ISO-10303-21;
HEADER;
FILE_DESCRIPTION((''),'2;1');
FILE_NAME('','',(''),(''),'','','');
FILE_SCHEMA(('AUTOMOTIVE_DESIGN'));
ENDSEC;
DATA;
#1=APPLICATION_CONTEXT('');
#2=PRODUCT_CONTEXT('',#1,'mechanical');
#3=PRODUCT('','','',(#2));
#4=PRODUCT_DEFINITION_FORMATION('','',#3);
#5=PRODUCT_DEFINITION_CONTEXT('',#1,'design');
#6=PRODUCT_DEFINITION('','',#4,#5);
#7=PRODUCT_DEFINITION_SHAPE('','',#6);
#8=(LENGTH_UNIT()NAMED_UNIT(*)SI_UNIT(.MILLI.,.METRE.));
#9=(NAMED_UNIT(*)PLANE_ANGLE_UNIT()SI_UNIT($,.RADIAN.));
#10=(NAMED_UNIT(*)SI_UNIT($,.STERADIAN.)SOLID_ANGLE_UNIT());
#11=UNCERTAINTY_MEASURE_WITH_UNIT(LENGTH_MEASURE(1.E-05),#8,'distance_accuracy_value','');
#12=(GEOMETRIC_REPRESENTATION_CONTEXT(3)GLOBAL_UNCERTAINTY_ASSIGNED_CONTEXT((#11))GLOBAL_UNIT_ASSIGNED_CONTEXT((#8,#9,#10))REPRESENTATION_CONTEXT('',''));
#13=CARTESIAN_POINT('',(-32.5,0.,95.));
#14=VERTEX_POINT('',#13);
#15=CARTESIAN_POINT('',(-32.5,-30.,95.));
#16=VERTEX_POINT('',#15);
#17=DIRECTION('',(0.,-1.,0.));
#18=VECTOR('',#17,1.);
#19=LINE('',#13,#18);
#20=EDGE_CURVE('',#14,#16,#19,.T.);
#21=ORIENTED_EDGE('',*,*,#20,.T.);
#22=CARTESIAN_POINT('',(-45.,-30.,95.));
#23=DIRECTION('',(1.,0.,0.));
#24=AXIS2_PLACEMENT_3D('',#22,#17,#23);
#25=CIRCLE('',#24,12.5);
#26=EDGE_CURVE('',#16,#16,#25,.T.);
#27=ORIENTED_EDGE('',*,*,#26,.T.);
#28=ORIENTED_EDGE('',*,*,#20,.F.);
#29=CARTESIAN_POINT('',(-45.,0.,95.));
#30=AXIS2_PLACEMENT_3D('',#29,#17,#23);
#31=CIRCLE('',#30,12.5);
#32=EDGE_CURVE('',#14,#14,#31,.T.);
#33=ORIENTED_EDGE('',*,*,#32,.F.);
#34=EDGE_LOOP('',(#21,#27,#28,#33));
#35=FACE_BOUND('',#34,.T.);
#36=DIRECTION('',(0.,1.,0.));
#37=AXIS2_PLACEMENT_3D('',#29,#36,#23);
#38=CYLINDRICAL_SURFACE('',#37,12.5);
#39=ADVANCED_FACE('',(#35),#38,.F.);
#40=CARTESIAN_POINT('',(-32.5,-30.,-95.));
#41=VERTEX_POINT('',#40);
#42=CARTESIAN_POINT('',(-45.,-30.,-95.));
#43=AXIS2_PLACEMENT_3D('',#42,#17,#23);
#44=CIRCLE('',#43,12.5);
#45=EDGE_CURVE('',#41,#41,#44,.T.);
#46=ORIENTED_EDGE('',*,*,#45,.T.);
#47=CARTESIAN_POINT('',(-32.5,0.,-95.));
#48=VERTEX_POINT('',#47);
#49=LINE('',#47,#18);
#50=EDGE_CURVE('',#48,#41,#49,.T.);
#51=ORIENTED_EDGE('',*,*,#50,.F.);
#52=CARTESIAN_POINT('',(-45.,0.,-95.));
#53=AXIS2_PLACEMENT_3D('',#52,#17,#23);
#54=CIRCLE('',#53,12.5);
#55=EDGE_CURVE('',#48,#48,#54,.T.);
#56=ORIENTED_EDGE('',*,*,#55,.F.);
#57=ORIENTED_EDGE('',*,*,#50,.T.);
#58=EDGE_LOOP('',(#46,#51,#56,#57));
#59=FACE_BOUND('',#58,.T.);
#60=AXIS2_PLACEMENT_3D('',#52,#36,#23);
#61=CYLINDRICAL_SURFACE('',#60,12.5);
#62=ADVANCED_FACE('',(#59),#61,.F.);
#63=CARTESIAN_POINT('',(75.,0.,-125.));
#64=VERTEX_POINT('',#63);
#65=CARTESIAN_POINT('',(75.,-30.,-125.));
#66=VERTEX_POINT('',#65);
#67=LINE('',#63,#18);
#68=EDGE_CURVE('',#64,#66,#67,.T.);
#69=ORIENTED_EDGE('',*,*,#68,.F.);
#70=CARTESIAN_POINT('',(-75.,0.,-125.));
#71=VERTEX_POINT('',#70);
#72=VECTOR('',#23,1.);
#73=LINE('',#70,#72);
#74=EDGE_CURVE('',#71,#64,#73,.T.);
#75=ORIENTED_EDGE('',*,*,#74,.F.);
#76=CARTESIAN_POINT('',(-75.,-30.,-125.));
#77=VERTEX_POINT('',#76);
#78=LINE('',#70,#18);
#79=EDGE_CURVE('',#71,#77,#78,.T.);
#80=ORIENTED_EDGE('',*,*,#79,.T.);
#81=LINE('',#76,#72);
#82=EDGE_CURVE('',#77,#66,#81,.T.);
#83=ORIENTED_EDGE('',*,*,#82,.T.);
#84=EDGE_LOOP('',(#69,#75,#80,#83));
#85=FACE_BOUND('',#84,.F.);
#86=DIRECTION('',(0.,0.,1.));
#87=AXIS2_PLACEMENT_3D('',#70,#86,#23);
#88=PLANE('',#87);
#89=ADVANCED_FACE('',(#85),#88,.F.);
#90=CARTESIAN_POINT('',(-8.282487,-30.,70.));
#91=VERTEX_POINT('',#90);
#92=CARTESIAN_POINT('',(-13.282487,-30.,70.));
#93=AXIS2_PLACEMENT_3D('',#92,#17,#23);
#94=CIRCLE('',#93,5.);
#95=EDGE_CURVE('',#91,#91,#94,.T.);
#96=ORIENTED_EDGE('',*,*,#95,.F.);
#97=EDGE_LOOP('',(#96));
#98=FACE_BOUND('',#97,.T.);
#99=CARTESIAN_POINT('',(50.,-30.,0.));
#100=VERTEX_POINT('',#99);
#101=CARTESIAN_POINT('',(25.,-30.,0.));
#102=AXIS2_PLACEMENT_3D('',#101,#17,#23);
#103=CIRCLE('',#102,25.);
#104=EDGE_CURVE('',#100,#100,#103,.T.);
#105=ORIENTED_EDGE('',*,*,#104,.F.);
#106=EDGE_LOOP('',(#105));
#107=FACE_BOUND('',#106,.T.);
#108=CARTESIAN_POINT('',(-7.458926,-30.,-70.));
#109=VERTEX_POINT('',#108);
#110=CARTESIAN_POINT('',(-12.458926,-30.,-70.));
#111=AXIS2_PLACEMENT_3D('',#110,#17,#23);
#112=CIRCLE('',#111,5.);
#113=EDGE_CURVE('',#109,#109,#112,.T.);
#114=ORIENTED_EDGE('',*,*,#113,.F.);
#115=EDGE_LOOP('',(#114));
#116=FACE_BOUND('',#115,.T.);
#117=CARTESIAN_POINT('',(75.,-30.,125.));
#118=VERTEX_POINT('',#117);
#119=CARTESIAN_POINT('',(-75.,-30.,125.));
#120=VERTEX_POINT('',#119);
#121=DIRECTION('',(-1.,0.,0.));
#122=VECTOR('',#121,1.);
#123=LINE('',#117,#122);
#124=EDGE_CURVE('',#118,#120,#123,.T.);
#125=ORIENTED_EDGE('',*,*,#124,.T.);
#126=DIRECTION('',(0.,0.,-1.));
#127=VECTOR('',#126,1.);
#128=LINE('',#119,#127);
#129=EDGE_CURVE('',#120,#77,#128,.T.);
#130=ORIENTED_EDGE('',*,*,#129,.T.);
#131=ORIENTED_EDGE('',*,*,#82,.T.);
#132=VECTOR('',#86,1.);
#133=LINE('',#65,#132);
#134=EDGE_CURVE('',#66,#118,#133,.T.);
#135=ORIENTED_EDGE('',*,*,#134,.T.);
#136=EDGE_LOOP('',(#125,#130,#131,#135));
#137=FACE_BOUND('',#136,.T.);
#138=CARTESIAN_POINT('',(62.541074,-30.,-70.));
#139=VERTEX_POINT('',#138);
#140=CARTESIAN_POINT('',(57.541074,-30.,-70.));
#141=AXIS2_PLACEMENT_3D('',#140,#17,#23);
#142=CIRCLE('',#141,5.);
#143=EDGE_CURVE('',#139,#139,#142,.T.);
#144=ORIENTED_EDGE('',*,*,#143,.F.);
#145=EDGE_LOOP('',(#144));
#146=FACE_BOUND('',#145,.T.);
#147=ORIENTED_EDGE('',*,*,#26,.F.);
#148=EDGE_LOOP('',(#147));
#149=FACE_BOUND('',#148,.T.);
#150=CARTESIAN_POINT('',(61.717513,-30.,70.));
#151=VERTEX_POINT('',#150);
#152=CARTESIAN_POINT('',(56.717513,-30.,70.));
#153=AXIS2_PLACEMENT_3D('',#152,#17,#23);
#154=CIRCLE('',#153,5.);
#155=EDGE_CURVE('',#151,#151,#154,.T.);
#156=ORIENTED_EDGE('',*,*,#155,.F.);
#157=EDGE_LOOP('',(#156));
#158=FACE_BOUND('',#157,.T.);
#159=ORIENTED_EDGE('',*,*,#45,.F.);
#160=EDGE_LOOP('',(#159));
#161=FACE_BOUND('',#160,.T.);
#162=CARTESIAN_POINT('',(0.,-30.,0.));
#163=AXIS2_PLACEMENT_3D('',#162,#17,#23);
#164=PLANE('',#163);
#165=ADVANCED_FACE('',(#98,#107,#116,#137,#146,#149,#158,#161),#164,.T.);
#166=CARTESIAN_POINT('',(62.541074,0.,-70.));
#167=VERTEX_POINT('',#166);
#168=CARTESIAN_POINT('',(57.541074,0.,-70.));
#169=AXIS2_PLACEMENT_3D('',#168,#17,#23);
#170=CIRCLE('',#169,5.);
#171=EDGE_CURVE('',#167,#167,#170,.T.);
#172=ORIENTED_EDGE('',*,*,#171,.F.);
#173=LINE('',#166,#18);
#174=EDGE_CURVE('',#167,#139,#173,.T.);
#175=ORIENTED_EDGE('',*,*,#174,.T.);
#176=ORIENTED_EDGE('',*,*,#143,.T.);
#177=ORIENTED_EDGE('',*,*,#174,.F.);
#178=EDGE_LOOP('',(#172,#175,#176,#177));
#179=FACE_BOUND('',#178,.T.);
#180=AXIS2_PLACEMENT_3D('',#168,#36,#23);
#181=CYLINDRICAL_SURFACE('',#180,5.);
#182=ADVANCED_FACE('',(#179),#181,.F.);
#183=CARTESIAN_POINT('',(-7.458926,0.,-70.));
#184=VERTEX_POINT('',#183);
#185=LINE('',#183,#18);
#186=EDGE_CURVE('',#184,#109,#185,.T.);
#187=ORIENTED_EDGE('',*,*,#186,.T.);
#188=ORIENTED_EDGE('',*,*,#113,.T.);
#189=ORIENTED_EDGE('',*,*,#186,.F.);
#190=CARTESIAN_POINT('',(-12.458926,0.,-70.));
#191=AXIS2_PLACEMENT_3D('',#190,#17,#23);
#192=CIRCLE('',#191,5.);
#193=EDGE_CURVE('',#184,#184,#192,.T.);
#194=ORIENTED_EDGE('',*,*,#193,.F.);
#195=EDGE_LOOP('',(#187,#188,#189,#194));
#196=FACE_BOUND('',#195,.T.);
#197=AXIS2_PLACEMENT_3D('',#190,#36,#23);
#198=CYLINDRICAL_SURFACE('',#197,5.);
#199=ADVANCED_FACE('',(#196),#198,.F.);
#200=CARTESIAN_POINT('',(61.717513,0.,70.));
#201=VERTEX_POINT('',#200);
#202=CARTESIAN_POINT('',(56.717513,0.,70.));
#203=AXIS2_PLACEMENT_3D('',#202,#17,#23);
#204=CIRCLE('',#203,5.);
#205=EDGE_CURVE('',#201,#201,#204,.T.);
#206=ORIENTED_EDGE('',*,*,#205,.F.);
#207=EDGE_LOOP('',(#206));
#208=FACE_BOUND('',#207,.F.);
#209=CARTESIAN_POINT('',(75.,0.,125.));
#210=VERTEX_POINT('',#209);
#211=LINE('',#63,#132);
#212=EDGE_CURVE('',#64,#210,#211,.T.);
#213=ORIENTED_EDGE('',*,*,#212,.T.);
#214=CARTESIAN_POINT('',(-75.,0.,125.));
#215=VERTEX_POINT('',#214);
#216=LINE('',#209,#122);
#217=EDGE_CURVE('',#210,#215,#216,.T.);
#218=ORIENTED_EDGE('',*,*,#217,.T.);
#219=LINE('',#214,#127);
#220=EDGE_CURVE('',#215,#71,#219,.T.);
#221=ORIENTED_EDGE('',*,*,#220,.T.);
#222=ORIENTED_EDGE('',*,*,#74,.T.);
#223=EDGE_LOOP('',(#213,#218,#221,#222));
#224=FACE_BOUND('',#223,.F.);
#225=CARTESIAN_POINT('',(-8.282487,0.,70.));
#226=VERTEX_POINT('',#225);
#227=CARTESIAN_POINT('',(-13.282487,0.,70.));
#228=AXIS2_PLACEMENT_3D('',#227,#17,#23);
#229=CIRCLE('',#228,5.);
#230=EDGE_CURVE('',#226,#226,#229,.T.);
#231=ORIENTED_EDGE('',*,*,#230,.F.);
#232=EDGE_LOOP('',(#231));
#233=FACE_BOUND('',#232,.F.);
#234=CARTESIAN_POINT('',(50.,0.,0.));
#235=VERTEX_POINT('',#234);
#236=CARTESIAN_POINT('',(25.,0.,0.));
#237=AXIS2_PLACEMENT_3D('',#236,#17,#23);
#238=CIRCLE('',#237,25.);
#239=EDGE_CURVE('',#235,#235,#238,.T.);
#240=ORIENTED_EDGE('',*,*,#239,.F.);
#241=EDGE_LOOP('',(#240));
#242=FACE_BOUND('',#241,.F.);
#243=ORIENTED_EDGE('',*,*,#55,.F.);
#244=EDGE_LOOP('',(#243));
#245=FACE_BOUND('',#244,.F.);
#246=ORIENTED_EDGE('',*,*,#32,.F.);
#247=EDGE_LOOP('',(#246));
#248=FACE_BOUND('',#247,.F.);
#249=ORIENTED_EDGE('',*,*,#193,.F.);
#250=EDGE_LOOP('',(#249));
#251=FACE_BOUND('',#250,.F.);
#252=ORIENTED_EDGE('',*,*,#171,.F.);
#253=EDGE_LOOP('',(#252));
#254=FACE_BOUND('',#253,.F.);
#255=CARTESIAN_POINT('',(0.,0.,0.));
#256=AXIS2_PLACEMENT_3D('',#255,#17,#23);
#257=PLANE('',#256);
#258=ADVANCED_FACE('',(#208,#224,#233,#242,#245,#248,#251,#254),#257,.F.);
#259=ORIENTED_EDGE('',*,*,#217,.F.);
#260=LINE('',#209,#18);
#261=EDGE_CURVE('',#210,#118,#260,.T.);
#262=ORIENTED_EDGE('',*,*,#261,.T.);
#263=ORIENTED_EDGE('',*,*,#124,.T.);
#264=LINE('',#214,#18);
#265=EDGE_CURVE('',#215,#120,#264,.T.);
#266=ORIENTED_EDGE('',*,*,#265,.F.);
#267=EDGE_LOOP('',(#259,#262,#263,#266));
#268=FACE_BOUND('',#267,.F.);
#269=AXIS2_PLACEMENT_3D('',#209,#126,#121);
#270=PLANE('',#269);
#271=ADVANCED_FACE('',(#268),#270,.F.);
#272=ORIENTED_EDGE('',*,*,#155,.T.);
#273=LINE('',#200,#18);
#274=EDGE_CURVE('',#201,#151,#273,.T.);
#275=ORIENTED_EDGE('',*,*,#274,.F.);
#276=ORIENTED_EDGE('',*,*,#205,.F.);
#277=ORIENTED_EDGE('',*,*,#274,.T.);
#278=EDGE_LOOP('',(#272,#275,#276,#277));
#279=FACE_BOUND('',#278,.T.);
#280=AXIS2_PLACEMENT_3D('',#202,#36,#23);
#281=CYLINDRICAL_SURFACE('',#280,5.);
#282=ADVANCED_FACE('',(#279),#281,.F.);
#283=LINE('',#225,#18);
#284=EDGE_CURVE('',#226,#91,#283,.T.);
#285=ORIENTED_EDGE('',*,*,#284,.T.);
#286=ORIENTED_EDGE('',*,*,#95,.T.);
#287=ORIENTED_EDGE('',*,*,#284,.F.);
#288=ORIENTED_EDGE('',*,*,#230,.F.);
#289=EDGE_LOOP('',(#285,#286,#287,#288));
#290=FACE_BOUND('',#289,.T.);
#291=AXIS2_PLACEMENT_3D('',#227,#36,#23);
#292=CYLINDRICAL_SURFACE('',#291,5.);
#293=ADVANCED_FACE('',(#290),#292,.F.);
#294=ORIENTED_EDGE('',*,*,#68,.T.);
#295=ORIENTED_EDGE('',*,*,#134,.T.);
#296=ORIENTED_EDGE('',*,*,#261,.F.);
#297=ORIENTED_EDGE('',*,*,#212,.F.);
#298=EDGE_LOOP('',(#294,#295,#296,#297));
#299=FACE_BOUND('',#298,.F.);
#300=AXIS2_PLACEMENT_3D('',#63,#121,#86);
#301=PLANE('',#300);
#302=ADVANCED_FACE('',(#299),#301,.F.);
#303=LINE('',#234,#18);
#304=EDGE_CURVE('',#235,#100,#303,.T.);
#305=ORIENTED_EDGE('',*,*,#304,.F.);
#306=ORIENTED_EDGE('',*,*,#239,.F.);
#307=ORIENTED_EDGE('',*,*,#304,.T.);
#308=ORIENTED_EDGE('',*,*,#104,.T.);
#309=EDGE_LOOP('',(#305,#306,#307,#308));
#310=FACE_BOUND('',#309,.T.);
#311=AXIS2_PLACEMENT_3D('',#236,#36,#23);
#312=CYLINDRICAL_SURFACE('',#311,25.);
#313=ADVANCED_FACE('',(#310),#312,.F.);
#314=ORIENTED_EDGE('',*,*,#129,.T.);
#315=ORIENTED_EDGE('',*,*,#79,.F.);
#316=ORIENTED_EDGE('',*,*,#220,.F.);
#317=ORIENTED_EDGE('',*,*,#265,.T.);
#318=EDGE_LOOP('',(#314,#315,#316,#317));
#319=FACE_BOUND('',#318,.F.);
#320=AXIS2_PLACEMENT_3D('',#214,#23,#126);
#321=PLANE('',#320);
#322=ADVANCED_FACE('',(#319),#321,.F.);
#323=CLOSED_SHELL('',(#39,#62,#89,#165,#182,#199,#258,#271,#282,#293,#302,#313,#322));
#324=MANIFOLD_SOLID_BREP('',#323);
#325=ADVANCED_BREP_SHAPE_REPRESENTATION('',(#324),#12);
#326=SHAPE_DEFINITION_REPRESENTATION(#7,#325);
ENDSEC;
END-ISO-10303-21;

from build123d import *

# Parameters (mm, degrees)
F0_R     = 12.5
F0_R_2   = 5
F0_R_3   = 25
F1_DEPTH = 30


with BuildPart() as f1:
    # F0 (on Front) → F1 (new body)
    with BuildSketch(Plane.XZ):
        Polygon((75, -70), (75, 125), (-75, 125), (-75, -125), (75, -125), align=None)
        with Locations((-45, -95)):
            Circle(F0_R, mode=Mode.SUBTRACT)
        with Locations((-12.458926, -70)):
            Circle(F0_R_2, mode=Mode.SUBTRACT)
        with Locations((57.541074, -70)):
            Circle(F0_R_2, mode=Mode.SUBTRACT)
        with Locations((-45, 95)):
            Circle(F0_R, mode=Mode.SUBTRACT)
        with Locations((-13.282487, 70)):
            Circle(F0_R_2, mode=Mode.SUBTRACT)
        with Locations((25, 0)):
            Circle(F0_R_3, mode=Mode.SUBTRACT)
        with Locations((56.717513, 70)):
            Circle(F0_R_2, mode=Mode.SUBTRACT)
    extrude(amount=F1_DEPTH)


solid = f1.part
